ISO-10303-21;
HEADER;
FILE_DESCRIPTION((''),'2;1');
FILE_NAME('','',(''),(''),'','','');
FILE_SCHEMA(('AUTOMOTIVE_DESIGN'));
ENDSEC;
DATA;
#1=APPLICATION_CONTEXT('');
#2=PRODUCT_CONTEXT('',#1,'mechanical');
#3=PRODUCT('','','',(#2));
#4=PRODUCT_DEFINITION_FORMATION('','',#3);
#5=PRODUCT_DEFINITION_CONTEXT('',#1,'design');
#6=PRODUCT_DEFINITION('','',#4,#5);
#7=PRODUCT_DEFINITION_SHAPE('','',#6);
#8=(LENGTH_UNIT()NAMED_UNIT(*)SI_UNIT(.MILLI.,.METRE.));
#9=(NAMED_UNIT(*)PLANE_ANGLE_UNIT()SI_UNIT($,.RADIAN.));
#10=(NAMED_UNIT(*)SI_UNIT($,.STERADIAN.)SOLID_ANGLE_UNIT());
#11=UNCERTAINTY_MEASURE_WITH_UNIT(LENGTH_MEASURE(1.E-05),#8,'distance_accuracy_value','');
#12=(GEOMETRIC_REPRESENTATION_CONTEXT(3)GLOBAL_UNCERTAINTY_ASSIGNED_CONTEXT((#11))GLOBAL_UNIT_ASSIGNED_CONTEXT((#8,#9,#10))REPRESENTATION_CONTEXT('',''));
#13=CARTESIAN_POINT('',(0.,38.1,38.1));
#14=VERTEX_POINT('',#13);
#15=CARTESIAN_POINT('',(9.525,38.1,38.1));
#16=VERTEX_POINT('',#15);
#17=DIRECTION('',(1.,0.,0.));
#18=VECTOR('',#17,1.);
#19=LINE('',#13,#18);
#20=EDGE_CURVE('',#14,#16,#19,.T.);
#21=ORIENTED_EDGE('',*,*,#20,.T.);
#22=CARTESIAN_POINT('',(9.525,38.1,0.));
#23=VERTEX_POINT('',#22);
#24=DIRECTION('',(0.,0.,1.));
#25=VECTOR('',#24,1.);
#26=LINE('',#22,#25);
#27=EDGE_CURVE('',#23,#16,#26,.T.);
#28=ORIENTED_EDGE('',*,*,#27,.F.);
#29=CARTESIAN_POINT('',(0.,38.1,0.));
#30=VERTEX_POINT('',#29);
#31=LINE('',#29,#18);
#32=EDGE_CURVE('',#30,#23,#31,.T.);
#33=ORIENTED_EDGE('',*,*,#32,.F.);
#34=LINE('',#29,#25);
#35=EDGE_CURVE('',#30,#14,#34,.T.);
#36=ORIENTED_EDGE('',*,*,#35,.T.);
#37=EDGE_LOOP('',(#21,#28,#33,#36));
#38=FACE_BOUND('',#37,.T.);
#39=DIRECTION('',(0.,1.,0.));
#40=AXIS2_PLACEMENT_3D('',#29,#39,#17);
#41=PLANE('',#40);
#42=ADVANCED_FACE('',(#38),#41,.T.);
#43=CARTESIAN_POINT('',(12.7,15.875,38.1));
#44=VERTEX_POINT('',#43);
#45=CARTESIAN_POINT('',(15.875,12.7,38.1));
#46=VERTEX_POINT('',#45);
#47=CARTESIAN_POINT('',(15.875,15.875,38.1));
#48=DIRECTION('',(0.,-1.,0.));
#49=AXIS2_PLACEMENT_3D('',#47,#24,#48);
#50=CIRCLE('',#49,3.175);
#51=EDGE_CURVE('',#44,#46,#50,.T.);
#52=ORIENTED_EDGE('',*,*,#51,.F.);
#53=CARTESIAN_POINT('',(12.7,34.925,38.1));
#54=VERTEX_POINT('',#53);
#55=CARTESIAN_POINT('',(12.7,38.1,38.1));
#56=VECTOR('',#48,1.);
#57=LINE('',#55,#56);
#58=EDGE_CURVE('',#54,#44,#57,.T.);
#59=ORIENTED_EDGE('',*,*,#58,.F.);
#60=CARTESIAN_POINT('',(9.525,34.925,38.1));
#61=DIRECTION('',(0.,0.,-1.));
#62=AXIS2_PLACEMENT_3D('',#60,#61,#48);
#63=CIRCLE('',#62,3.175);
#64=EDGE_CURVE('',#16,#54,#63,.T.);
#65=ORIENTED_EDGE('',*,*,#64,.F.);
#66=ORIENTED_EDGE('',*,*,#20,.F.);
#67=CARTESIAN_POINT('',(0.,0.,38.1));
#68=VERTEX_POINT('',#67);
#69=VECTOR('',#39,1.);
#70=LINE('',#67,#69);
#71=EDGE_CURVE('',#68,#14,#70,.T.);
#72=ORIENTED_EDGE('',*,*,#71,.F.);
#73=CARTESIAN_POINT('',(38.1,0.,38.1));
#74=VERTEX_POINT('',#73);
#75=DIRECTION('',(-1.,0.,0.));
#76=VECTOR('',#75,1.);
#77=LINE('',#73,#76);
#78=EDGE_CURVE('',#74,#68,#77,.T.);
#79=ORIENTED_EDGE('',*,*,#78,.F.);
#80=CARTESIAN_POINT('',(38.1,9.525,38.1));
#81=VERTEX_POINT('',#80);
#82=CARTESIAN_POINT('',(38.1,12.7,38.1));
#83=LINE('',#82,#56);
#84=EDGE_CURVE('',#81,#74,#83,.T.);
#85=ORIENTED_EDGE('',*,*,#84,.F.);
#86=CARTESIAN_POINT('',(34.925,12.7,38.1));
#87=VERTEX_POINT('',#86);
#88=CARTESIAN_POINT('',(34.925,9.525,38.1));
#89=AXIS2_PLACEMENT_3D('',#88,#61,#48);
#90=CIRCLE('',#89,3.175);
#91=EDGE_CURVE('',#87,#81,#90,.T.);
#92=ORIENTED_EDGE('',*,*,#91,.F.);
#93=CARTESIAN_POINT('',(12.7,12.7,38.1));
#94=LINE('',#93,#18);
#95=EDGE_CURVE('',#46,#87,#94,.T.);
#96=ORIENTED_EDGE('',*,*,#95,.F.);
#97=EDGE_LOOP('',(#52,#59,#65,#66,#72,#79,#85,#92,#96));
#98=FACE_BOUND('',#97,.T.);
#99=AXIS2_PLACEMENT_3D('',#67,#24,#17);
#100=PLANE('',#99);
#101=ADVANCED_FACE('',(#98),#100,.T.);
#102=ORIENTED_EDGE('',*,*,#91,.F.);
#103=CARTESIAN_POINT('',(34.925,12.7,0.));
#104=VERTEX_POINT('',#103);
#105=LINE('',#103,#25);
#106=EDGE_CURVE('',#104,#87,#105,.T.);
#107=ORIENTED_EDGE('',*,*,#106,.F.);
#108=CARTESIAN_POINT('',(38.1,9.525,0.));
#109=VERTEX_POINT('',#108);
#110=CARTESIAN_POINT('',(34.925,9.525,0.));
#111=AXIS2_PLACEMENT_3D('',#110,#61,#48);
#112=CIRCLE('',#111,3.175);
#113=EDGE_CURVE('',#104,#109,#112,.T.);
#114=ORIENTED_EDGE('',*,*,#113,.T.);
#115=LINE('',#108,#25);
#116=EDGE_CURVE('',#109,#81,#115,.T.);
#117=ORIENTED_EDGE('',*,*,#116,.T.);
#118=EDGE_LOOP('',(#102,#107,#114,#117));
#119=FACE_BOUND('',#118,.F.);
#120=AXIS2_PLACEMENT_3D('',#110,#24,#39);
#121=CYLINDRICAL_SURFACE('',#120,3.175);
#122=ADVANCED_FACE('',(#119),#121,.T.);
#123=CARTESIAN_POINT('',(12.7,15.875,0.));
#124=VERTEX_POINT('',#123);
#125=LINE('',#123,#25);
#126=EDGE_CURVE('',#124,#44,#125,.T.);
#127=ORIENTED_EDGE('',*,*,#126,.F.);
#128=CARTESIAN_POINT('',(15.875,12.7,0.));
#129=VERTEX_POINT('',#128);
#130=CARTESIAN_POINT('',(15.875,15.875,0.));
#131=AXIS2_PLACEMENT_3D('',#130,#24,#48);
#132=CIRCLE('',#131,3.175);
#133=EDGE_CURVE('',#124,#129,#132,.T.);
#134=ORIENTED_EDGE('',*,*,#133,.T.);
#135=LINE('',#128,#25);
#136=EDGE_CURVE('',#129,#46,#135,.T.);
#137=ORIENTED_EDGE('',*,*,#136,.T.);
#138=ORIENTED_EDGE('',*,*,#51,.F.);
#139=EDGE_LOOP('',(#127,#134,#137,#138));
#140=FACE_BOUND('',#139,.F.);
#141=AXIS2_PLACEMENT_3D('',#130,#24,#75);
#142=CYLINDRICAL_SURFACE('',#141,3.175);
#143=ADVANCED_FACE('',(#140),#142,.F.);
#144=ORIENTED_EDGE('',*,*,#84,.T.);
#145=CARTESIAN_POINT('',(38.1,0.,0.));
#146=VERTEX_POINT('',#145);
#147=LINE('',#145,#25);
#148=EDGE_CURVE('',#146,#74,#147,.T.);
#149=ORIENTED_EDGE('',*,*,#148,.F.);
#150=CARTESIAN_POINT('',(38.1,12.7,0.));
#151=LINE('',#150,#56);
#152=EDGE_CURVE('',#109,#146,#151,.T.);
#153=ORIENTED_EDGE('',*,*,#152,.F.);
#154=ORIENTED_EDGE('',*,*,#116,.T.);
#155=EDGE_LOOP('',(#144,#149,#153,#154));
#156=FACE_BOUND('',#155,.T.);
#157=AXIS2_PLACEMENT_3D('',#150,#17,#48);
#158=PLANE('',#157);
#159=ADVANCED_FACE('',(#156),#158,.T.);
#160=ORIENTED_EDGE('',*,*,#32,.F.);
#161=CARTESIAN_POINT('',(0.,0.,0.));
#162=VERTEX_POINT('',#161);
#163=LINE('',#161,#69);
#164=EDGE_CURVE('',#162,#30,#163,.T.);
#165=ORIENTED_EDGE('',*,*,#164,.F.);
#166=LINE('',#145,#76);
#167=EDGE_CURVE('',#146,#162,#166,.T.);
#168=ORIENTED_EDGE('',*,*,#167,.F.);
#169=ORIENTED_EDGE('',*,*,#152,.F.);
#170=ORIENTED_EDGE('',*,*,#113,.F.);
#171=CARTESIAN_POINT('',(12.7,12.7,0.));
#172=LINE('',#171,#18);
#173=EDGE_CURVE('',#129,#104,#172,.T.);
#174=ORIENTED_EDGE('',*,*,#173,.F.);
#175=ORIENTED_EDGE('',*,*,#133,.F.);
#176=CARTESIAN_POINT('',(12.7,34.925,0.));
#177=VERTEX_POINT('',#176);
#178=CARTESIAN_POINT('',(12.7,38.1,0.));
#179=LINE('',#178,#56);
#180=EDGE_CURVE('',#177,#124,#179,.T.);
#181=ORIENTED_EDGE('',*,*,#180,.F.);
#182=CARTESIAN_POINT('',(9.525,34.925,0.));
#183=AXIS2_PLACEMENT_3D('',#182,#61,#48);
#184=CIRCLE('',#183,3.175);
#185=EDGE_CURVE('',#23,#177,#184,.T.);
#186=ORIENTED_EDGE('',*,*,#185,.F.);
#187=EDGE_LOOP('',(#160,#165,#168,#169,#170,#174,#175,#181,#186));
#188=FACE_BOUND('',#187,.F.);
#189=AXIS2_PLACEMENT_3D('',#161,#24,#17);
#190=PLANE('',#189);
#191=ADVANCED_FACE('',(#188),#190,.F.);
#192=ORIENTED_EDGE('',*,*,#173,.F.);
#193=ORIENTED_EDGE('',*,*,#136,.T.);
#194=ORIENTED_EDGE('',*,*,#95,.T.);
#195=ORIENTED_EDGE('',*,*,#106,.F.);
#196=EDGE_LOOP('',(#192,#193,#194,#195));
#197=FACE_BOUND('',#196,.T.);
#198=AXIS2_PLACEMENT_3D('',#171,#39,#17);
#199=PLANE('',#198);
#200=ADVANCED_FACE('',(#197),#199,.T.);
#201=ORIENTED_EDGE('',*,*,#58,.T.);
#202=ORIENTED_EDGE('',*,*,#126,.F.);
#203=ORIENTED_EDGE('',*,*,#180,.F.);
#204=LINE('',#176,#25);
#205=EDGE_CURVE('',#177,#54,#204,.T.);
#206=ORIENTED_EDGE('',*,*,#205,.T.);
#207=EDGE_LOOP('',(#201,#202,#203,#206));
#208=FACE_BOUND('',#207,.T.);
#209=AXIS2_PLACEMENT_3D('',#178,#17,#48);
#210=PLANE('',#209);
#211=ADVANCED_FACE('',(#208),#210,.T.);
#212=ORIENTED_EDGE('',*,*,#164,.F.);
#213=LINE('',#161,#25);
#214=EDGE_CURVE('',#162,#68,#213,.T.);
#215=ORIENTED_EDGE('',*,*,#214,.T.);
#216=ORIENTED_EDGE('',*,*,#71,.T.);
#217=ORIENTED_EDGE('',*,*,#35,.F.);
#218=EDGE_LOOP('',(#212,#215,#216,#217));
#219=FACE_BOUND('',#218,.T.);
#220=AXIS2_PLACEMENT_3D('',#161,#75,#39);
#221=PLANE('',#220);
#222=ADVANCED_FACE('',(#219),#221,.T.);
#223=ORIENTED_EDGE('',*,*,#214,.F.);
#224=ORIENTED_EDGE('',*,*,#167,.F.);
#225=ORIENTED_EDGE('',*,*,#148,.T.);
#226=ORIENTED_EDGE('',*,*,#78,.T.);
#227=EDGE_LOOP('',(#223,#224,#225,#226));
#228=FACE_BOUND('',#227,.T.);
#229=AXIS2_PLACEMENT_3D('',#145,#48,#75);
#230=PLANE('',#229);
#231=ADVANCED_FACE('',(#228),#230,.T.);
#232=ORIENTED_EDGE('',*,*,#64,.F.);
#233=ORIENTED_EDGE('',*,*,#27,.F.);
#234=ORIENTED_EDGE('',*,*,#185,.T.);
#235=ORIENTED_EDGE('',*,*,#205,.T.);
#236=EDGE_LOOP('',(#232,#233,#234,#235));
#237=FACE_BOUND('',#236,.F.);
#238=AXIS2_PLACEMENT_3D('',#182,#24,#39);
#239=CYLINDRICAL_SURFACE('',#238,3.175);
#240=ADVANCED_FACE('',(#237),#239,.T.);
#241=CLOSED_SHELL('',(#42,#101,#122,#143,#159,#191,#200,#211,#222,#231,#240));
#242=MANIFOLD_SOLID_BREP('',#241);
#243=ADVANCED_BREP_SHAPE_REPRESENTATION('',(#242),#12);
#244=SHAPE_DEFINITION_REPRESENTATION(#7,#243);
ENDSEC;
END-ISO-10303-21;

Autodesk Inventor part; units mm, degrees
ref_plane "YZ Plane" through (0, 0, 0) normal (1, 0, 0) x (0, 1, 0)
ref_plane "XZ Plane" through (0, 0, 0) normal (0, 1, 0) x (-1, 0, 0)
ref_plane "XY Plane" through (0, 0, 0) normal (0, 0, 1) x (1, 0, 0)
sketch "Sketch1" plane through (0, 0, 0) normal (0, 0, 1) x (1, 0, 0)
  line L0 (0, 0) -> (0, 38.1)
  line L1 (0, 38.1) -> (12.7, 38.1)
  line L2 (12.7, 38.1) -> (12.7, 12.7)
  line L3 (12.7, 12.7) -> (38.1, 12.7)
  line L4 (38.1, 12.7) -> (38.1, 0)
  line L5 (38.1, 0) -> (0, 0)
  dimension "d0" = 38.1
  dimension "d1" = 12.7
  dimension "d2" = 25.4
  dimension "d3" = 25.4
  dimension "d4" = 12.7
extrude "Extrusion1" add sketch "Sketch1" along normal blind 38.1
fillet "Fillet1" radius 3.175 3 edges at (12.7, 38.1, 19.05) (12.7, 12.7, 19.05) (38.1, 12.7, 19.05)
properties part number "Practice 5"
